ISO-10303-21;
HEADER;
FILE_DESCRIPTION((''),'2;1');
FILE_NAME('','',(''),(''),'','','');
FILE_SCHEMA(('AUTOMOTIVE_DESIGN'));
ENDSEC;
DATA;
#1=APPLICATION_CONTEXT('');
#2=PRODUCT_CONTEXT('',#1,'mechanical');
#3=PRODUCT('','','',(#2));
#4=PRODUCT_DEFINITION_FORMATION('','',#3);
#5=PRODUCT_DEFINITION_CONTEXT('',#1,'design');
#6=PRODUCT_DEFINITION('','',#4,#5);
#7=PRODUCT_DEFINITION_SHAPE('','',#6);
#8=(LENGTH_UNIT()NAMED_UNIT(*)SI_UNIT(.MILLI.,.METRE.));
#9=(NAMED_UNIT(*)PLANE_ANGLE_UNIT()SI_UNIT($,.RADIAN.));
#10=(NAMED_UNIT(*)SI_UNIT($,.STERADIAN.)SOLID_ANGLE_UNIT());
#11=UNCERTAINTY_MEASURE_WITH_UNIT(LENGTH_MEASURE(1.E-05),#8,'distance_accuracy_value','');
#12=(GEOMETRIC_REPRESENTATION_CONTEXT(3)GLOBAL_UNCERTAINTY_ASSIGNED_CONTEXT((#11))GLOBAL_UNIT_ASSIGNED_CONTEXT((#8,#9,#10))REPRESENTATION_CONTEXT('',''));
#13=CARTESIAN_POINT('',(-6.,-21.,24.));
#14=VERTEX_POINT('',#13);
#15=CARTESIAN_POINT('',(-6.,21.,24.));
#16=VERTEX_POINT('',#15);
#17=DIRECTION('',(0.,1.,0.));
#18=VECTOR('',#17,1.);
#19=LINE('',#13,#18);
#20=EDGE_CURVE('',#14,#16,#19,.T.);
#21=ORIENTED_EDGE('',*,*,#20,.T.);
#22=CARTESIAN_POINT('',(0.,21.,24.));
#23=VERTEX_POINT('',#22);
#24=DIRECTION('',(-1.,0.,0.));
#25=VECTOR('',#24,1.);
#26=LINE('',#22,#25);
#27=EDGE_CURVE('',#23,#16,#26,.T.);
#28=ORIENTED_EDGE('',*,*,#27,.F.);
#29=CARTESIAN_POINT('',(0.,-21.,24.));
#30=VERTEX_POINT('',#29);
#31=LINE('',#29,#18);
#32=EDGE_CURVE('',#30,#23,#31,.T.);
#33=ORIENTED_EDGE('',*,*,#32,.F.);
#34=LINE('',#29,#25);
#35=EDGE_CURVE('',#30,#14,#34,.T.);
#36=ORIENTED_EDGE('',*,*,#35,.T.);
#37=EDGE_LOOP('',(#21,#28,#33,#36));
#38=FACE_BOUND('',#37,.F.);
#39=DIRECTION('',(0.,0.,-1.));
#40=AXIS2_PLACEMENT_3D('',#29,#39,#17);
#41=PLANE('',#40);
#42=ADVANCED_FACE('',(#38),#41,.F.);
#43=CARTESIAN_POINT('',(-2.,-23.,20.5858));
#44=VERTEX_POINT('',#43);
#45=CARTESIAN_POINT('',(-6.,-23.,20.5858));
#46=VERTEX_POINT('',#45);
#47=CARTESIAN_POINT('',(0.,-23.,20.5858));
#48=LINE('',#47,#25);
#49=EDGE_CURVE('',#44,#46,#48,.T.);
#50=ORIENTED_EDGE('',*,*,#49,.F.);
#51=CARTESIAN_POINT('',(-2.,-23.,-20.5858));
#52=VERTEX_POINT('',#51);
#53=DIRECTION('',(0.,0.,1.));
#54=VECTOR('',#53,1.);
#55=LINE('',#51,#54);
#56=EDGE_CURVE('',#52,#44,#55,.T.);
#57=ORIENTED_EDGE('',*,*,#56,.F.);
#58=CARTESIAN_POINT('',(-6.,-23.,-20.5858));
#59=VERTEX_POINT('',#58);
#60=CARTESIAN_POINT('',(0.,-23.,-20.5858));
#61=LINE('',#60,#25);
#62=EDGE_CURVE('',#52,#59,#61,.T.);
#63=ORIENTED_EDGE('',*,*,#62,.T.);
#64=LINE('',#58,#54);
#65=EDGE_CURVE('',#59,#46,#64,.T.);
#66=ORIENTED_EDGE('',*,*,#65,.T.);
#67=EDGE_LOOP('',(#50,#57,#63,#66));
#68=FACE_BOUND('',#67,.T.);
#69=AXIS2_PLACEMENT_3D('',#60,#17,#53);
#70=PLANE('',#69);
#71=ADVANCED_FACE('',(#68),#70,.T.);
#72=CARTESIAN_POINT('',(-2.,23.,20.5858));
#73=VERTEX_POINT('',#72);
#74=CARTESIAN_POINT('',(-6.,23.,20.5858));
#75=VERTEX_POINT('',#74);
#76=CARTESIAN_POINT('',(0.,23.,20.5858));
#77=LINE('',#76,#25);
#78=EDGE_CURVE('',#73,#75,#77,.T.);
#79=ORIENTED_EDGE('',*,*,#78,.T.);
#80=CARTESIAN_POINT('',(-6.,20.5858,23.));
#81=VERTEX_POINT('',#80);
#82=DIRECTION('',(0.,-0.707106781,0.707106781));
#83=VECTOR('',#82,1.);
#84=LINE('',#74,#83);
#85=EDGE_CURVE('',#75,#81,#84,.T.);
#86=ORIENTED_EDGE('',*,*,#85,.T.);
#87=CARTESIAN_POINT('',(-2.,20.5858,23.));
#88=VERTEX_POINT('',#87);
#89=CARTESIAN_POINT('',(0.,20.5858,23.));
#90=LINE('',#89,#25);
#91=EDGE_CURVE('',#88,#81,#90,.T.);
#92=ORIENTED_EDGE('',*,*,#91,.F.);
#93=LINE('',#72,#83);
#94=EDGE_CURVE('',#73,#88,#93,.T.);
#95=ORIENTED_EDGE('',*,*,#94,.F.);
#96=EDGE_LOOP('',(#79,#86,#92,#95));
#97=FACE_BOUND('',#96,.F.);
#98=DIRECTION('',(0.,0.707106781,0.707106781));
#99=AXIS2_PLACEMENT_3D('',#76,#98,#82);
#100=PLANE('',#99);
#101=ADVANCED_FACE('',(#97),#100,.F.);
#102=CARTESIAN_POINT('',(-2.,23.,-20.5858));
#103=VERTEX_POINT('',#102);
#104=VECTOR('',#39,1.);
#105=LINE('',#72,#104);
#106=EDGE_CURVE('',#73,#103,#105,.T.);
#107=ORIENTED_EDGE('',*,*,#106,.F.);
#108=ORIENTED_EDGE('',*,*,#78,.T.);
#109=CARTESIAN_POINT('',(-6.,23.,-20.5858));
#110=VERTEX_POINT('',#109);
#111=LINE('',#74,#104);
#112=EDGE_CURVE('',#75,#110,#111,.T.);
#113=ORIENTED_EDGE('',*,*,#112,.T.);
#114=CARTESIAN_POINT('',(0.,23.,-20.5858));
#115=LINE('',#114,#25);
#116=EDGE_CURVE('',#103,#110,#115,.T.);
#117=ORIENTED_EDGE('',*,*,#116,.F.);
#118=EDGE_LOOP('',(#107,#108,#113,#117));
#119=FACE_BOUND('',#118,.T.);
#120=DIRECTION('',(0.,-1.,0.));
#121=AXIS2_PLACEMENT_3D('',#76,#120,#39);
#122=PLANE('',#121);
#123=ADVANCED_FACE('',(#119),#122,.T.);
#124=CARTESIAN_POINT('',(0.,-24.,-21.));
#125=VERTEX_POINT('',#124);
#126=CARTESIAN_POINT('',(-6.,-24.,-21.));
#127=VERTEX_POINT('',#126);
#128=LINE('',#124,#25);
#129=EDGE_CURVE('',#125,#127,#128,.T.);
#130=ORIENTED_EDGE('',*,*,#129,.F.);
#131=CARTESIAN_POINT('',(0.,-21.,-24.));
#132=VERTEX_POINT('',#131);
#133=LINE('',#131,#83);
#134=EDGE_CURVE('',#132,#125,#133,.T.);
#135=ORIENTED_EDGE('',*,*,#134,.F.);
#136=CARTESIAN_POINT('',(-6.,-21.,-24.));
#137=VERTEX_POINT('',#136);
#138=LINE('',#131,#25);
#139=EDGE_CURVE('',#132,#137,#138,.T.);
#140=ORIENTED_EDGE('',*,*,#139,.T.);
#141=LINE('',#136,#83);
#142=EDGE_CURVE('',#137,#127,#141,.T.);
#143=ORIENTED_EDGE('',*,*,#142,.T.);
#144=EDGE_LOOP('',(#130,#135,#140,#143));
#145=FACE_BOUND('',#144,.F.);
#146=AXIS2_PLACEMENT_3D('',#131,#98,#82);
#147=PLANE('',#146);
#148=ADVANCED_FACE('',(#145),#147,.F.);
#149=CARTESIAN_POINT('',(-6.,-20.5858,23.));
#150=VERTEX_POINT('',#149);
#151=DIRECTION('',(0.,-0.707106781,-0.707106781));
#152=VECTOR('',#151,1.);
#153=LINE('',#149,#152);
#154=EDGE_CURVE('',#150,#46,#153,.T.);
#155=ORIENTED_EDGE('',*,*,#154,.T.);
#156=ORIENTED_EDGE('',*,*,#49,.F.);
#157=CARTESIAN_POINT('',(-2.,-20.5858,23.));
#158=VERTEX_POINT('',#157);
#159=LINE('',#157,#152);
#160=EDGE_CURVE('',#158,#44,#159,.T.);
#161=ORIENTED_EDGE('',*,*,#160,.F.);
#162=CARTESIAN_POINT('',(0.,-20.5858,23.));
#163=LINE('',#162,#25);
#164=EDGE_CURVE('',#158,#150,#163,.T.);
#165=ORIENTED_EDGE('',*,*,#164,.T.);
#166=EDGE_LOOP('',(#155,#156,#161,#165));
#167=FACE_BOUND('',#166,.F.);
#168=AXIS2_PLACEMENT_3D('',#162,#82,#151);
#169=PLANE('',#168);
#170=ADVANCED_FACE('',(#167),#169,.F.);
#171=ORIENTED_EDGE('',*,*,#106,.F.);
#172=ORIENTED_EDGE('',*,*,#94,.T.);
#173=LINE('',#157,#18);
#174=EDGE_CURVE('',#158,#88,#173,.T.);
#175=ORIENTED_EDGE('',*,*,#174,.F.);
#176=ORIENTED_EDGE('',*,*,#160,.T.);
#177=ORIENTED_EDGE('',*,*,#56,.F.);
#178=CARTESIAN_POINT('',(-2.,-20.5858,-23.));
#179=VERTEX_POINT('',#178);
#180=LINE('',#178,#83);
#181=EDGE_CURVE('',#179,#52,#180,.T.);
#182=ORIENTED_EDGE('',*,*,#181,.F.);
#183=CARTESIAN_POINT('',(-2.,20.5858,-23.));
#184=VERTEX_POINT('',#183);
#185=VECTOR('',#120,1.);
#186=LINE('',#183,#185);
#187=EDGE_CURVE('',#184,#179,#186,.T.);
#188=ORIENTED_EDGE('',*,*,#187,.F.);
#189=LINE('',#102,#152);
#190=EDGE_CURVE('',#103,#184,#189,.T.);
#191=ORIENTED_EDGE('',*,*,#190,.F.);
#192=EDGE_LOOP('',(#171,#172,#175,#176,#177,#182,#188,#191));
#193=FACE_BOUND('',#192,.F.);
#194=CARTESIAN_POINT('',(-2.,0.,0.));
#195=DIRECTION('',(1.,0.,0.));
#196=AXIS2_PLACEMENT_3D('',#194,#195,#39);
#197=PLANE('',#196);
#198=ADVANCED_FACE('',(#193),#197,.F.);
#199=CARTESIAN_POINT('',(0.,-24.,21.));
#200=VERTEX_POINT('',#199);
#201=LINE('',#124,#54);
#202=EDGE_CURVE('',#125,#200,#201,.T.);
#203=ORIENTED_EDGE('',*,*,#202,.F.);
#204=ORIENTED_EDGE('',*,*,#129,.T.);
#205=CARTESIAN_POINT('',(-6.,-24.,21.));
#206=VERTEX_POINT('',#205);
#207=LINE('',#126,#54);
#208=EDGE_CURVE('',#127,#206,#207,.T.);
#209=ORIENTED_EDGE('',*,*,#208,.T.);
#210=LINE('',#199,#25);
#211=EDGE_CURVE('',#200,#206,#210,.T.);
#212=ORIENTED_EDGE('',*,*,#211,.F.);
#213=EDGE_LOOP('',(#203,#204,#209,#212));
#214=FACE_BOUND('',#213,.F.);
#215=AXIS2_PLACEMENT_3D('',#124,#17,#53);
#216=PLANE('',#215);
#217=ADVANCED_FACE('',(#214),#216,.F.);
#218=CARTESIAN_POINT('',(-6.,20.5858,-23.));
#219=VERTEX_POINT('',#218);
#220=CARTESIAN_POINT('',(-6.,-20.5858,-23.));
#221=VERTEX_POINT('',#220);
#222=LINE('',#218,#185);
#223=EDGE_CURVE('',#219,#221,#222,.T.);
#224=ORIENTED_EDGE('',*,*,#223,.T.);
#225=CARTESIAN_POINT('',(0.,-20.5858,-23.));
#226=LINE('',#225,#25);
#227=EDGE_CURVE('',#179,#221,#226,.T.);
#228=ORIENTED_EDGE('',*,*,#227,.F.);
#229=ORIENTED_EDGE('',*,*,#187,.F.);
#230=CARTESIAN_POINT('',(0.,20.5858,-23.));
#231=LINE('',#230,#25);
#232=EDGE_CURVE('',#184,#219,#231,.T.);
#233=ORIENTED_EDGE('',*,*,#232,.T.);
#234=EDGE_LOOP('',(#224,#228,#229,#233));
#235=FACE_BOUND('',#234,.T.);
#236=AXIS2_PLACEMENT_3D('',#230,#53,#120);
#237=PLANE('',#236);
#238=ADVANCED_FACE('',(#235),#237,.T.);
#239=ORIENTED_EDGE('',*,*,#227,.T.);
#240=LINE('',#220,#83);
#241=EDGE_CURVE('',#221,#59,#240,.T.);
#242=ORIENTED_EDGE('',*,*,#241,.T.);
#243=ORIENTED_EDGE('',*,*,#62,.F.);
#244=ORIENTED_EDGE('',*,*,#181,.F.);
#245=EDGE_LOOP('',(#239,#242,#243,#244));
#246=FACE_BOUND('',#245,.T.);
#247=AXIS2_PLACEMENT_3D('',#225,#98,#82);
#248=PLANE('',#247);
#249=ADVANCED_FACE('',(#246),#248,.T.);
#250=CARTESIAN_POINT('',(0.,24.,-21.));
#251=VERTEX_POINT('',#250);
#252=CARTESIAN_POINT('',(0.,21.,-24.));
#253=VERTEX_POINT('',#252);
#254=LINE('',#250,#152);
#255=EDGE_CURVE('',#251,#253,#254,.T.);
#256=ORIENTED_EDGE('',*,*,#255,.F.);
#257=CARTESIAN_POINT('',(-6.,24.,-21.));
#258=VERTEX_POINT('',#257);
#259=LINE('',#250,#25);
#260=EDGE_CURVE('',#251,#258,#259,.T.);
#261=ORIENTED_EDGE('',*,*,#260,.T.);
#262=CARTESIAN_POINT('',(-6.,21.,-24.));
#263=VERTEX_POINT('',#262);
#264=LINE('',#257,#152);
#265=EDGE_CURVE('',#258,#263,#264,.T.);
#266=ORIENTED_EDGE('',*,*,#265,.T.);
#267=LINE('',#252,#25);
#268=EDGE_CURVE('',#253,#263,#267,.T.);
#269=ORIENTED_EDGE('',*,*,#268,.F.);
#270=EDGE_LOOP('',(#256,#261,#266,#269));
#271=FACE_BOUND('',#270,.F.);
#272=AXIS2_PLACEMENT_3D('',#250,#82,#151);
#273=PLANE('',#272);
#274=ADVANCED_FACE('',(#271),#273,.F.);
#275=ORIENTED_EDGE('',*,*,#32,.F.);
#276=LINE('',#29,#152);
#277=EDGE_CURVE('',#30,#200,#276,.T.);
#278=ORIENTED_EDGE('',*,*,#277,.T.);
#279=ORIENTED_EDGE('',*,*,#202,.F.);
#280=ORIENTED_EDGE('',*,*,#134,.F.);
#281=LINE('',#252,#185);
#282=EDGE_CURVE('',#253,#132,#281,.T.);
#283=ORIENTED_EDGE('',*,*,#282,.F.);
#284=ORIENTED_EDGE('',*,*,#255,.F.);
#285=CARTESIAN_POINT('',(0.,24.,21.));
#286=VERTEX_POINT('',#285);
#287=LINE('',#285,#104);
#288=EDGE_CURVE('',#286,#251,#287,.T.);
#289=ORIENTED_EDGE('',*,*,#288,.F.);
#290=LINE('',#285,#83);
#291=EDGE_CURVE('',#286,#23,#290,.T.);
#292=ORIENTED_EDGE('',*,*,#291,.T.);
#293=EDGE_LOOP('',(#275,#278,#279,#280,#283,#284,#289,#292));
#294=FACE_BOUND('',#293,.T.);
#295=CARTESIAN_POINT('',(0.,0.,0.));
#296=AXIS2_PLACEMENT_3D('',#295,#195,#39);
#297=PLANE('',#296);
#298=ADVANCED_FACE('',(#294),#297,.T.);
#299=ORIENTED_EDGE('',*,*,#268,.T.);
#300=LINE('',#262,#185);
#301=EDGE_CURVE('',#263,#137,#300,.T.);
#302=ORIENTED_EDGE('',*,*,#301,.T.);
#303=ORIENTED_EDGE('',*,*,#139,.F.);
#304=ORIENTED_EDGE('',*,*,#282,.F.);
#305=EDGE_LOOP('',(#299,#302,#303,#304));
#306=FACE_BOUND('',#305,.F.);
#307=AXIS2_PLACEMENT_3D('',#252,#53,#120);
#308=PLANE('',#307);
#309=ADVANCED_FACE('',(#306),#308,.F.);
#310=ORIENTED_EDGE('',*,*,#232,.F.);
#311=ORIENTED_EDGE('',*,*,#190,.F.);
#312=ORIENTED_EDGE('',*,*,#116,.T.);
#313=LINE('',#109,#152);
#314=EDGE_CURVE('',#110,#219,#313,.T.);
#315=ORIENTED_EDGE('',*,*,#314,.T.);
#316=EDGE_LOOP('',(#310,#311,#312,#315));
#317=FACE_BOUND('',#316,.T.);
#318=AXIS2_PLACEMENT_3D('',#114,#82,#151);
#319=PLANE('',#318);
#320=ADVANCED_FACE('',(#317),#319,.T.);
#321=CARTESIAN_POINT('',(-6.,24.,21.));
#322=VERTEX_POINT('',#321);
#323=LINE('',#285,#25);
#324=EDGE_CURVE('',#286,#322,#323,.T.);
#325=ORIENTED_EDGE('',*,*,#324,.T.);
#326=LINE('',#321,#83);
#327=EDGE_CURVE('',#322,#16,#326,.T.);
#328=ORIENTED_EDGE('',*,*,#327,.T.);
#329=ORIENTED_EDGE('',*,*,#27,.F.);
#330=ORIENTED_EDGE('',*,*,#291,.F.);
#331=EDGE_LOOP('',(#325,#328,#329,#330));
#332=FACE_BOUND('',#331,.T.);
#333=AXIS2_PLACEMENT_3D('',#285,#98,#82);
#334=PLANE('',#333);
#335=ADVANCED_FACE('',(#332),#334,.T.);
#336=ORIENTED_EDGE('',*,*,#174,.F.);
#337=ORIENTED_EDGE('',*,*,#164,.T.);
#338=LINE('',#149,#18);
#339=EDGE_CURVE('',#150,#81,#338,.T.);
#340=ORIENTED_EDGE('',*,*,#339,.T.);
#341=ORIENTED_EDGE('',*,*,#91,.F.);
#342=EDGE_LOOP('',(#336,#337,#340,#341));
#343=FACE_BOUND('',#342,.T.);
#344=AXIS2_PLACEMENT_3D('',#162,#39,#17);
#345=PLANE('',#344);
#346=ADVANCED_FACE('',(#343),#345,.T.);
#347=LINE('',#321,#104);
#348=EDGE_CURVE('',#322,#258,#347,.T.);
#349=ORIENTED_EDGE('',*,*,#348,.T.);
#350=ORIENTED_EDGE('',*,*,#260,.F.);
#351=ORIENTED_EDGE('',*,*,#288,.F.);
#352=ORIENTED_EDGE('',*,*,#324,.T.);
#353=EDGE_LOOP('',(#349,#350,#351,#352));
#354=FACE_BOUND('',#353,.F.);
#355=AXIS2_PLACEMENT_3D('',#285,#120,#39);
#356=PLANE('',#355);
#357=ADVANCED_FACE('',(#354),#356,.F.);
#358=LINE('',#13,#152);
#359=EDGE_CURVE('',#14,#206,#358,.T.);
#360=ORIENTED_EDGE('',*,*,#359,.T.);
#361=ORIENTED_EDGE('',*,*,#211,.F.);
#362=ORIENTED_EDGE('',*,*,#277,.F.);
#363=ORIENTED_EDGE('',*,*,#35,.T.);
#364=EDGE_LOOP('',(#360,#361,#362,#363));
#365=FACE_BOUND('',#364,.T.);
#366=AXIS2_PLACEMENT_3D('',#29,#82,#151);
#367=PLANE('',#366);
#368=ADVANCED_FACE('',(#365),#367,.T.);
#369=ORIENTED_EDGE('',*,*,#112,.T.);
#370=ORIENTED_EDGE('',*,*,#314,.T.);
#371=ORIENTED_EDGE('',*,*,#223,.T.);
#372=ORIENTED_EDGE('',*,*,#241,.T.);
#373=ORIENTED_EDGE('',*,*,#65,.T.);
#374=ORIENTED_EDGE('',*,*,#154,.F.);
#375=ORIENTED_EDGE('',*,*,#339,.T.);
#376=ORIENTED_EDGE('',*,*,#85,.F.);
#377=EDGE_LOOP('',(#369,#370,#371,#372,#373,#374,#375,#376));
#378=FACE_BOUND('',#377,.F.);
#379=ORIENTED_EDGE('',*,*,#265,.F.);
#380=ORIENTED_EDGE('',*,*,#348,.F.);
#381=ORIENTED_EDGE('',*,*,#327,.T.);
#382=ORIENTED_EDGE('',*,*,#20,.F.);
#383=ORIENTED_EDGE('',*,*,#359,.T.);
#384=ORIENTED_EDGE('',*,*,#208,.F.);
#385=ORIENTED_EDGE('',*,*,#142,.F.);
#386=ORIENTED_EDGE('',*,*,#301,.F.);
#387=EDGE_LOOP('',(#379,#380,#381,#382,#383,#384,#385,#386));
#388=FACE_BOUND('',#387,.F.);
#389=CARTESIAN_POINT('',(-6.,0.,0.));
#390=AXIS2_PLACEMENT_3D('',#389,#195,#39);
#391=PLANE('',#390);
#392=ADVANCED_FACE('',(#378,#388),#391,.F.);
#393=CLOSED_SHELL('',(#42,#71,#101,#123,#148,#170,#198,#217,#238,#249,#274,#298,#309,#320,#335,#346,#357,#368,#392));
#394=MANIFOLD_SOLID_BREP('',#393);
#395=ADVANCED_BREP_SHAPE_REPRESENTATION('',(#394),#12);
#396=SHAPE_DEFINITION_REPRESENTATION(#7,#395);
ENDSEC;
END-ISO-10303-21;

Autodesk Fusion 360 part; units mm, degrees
sketch "Sketch1" plane through (0, 0, 0) normal (1, 0, 0) x (0, 0, -1)
  line L0 (-21, 24) -> (21, 24)
  line L1 (24, 21) -> (24, -21)
  line L2 (21, -24) -> (-21, -24)
  line L3 (-24, -21) -> (-24, 21)
  line L4 (-24, 24) -> (24, -24) construction
  line L5 (24, 24) -> (-24, -24) construction
  line L6 (21, 21) -> (-21, -21) construction
  line L7 (-21, 21) -> (21, -21) construction
  line L8 (-21, 24) -> (-24, 21)
  line L9 (21, 24) -> (24, 21)
  line L10 (-24, -21) -> (-21, -24)
  line L11 (24, -21) -> (21, -24)
  line L12 (23, 20.5858) -> (23, -20.5858)
  line L13 (23, -20.5858) -> (20.5858, -23)
  line L14 (20.5858, -23) -> (-20.5858, -23)
  line L15 (-23, -20.5858) -> (-20.5858, -23)
  line L16 (-23, -20.5858) -> (-23, 20.5858)
  line L17 (-20.5858, 23) -> (-23, 20.5858)
  line L18 (-20.5858, 23) -> (20.5858, 23)
  line L19 (20.5858, 23) -> (23, 20.5858)
  dimension "d1" = 48
  dimension "d2" = 48
  dimension "d3" = 42
  dimension "d4" = 42
  dimension "d5" = 3
  dimension "d6" = 3
  dimension "d7" = 3
  dimension "d8" = 3
  dimension "d9" = 3
  dimension "d10" = 3
  dimension "d11" = 3
  dimension "d12" = 3
  dimension "d13" = 1
extrude "Extrude1" add sketch "Sketch1" against normal blind 6
extrude "Extrude2" add sketch "Sketch1" against normal blind 2 contours L12 L13 L14 L15 L16 L17 L18 L19
equation "d6 = d5"
equation "d8 = d7"
equation "d10 = d9"
equation "d12 = d11"
